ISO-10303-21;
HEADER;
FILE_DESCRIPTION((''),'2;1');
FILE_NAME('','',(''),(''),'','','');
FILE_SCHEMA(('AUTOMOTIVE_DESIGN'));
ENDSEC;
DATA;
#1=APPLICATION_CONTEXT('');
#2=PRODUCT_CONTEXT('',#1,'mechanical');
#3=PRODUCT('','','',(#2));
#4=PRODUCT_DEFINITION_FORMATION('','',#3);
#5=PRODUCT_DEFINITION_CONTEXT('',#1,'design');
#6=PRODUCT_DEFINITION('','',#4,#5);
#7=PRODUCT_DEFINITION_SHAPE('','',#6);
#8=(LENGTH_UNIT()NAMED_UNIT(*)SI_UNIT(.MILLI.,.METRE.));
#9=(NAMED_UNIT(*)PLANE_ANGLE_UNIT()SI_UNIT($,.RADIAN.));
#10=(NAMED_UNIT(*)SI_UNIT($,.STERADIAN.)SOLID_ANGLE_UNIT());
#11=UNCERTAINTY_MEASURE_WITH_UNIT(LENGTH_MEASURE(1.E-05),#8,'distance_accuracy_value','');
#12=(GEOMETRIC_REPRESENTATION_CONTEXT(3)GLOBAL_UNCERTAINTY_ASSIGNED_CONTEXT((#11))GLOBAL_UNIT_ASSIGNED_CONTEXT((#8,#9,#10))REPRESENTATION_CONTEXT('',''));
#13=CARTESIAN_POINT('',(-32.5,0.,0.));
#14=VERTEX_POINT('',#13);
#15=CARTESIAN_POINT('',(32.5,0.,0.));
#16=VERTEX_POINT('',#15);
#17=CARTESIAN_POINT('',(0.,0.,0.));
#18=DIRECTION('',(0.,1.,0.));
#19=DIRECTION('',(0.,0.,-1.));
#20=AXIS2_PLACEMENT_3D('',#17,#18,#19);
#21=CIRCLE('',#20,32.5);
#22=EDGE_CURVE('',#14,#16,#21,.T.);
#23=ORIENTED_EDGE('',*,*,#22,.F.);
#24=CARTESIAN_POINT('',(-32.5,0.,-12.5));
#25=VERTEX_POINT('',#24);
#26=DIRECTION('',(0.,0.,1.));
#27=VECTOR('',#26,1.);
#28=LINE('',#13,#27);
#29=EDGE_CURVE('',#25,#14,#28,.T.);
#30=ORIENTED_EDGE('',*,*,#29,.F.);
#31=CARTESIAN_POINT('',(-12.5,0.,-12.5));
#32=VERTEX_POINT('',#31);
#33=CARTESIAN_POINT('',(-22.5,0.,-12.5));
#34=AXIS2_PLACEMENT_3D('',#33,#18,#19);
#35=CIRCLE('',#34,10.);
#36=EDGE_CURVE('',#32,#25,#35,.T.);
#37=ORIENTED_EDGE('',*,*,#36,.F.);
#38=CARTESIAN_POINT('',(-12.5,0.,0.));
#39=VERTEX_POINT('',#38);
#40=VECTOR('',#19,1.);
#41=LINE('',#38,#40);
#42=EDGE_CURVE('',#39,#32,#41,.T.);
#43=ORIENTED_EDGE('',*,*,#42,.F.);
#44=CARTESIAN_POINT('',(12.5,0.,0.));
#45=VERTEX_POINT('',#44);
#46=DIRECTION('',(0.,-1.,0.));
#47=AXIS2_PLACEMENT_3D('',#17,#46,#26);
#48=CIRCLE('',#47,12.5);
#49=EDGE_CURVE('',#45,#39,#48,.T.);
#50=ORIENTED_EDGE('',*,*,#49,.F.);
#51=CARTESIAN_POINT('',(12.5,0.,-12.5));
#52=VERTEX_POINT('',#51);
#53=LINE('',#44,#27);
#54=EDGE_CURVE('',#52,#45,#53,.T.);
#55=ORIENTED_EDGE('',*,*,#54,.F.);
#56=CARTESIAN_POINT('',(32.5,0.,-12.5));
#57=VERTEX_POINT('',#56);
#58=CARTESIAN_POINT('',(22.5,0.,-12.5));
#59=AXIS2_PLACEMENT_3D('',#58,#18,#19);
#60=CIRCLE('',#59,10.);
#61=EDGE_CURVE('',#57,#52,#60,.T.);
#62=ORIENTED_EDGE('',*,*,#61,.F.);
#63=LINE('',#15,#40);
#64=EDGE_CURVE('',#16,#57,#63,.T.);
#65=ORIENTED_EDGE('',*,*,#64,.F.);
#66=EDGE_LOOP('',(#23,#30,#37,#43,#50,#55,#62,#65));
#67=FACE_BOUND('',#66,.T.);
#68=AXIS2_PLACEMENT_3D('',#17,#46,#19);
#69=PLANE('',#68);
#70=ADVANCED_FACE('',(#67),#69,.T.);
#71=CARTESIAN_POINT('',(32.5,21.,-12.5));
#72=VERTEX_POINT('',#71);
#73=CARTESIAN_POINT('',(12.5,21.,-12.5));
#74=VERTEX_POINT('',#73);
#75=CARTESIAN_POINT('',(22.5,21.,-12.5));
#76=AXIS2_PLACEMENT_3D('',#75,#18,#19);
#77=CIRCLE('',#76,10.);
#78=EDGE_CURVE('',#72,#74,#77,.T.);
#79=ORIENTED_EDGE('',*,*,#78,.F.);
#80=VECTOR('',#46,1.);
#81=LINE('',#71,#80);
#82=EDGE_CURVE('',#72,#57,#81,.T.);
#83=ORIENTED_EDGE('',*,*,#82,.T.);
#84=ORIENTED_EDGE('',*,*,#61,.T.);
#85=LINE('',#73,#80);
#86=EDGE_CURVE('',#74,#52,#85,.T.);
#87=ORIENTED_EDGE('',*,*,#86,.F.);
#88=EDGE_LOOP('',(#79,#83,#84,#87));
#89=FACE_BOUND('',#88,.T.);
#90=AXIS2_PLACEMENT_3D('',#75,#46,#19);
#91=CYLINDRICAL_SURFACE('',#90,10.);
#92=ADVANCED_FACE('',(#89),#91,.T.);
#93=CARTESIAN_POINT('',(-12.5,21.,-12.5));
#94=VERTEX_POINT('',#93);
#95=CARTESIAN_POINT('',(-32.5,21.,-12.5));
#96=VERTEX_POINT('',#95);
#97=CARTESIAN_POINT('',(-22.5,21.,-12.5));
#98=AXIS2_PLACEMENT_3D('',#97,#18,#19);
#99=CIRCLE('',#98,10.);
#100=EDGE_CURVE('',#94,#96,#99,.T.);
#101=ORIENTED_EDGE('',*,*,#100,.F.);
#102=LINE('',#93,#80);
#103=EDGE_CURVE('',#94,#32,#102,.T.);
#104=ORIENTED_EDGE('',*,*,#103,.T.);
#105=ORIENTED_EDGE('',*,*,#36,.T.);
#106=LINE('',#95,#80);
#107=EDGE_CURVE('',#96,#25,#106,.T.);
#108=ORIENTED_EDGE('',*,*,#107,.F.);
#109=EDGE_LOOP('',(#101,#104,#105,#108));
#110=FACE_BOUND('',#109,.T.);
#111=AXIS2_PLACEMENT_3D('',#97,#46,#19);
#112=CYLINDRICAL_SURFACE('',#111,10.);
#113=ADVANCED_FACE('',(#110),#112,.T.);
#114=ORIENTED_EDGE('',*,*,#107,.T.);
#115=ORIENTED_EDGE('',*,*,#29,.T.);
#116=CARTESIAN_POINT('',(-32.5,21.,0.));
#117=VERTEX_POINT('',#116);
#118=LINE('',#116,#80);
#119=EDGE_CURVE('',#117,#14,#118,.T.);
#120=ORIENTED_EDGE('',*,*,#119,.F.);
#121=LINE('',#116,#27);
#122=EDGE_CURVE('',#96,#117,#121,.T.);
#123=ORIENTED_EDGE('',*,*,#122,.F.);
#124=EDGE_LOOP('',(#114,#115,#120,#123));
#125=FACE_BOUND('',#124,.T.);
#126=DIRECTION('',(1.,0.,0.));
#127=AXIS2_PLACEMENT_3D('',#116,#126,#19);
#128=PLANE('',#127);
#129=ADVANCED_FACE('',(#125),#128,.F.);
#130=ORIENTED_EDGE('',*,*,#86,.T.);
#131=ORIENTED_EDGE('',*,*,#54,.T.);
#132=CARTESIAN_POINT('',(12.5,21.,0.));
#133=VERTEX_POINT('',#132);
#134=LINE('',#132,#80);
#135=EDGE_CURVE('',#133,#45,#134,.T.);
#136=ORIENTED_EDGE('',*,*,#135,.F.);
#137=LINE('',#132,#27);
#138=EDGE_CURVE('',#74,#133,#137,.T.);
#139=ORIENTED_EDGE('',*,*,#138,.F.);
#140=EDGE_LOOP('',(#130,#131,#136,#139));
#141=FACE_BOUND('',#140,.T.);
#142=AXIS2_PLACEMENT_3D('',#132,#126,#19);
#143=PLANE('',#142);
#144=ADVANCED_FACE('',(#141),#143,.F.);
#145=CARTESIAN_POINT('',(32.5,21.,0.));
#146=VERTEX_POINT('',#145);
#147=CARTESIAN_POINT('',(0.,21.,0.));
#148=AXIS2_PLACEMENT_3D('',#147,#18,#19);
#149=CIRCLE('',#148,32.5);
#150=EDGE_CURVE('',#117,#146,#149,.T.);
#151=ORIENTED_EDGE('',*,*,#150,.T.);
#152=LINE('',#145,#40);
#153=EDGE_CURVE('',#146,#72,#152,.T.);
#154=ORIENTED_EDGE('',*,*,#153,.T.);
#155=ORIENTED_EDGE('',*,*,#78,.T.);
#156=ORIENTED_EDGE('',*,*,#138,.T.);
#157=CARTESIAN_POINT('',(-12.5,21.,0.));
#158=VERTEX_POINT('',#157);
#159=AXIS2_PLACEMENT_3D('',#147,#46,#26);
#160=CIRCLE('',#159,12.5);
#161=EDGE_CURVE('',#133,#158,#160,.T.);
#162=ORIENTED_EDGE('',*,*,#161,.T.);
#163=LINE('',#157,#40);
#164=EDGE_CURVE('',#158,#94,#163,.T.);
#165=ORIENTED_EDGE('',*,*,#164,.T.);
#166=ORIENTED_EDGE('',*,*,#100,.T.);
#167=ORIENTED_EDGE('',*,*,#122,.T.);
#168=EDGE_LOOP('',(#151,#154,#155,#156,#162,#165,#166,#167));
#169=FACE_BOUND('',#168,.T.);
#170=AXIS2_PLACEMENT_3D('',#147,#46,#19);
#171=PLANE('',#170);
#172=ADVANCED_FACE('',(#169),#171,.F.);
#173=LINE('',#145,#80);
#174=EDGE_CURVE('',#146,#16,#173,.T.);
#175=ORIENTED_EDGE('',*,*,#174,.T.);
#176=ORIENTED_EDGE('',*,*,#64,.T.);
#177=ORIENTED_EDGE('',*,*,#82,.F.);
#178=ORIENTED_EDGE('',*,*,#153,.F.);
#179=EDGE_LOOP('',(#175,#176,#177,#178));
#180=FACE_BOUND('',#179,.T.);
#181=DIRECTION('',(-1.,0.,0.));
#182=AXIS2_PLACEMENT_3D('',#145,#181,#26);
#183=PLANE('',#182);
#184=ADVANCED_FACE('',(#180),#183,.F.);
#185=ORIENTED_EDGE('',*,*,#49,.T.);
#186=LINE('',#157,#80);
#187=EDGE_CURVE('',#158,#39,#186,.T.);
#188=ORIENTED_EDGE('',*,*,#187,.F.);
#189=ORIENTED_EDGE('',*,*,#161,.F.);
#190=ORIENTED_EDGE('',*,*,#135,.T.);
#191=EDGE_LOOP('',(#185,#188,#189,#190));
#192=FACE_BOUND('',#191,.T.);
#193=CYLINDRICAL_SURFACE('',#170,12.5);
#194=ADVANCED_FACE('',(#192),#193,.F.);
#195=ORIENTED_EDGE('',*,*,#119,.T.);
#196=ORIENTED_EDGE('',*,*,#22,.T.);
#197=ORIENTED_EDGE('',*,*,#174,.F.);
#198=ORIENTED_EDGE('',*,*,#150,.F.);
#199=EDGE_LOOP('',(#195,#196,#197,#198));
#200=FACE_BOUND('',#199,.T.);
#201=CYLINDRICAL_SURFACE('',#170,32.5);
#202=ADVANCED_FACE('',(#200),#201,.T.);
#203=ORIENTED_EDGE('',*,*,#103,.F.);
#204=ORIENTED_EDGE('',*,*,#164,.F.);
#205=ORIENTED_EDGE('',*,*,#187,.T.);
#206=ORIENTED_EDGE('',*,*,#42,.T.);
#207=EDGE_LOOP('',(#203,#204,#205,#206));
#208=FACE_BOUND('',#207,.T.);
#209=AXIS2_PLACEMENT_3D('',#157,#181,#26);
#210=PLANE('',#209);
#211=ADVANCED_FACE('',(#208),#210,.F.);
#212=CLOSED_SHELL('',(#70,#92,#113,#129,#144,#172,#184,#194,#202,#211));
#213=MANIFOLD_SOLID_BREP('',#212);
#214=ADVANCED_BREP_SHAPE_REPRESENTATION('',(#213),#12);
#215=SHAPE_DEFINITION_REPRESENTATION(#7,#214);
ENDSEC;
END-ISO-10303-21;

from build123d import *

# Parameters (mm, degrees)
EXTRUDE_1_DEPTH = 21


with BuildPart() as part:
    # Эскиз1 → Бобышка-Вытянуть1 (new body)
    with BuildSketch(Plane(origin=(0, 0, 0), x_dir=(1, 0, 0), z_dir=(0, 1, 0))):
        with BuildLine():
            Line((-32.5, 0), (-32.5, 12.5))
            ThreePointArc((-32.5, 12.5), (-22.5, 22.5), (-12.5, 12.5))
            Line((-12.5, 12.5), (-12.5, 0))
            ThreePointArc((-12.5, 0), (0, -12.5), (12.5, 0))
            Line((12.5, 0), (12.5, 12.5))
            ThreePointArc((12.5, 12.5), (22.5, 22.5), (32.5, 12.5))
            Line((32.5, 12.5), (32.5, 0))
            ThreePointArc((32.5, 0), (0, -32.5), (-32.5, 0))
        make_face()
    extrude(amount=EXTRUDE_1_DEPTH)


solid = part.part
